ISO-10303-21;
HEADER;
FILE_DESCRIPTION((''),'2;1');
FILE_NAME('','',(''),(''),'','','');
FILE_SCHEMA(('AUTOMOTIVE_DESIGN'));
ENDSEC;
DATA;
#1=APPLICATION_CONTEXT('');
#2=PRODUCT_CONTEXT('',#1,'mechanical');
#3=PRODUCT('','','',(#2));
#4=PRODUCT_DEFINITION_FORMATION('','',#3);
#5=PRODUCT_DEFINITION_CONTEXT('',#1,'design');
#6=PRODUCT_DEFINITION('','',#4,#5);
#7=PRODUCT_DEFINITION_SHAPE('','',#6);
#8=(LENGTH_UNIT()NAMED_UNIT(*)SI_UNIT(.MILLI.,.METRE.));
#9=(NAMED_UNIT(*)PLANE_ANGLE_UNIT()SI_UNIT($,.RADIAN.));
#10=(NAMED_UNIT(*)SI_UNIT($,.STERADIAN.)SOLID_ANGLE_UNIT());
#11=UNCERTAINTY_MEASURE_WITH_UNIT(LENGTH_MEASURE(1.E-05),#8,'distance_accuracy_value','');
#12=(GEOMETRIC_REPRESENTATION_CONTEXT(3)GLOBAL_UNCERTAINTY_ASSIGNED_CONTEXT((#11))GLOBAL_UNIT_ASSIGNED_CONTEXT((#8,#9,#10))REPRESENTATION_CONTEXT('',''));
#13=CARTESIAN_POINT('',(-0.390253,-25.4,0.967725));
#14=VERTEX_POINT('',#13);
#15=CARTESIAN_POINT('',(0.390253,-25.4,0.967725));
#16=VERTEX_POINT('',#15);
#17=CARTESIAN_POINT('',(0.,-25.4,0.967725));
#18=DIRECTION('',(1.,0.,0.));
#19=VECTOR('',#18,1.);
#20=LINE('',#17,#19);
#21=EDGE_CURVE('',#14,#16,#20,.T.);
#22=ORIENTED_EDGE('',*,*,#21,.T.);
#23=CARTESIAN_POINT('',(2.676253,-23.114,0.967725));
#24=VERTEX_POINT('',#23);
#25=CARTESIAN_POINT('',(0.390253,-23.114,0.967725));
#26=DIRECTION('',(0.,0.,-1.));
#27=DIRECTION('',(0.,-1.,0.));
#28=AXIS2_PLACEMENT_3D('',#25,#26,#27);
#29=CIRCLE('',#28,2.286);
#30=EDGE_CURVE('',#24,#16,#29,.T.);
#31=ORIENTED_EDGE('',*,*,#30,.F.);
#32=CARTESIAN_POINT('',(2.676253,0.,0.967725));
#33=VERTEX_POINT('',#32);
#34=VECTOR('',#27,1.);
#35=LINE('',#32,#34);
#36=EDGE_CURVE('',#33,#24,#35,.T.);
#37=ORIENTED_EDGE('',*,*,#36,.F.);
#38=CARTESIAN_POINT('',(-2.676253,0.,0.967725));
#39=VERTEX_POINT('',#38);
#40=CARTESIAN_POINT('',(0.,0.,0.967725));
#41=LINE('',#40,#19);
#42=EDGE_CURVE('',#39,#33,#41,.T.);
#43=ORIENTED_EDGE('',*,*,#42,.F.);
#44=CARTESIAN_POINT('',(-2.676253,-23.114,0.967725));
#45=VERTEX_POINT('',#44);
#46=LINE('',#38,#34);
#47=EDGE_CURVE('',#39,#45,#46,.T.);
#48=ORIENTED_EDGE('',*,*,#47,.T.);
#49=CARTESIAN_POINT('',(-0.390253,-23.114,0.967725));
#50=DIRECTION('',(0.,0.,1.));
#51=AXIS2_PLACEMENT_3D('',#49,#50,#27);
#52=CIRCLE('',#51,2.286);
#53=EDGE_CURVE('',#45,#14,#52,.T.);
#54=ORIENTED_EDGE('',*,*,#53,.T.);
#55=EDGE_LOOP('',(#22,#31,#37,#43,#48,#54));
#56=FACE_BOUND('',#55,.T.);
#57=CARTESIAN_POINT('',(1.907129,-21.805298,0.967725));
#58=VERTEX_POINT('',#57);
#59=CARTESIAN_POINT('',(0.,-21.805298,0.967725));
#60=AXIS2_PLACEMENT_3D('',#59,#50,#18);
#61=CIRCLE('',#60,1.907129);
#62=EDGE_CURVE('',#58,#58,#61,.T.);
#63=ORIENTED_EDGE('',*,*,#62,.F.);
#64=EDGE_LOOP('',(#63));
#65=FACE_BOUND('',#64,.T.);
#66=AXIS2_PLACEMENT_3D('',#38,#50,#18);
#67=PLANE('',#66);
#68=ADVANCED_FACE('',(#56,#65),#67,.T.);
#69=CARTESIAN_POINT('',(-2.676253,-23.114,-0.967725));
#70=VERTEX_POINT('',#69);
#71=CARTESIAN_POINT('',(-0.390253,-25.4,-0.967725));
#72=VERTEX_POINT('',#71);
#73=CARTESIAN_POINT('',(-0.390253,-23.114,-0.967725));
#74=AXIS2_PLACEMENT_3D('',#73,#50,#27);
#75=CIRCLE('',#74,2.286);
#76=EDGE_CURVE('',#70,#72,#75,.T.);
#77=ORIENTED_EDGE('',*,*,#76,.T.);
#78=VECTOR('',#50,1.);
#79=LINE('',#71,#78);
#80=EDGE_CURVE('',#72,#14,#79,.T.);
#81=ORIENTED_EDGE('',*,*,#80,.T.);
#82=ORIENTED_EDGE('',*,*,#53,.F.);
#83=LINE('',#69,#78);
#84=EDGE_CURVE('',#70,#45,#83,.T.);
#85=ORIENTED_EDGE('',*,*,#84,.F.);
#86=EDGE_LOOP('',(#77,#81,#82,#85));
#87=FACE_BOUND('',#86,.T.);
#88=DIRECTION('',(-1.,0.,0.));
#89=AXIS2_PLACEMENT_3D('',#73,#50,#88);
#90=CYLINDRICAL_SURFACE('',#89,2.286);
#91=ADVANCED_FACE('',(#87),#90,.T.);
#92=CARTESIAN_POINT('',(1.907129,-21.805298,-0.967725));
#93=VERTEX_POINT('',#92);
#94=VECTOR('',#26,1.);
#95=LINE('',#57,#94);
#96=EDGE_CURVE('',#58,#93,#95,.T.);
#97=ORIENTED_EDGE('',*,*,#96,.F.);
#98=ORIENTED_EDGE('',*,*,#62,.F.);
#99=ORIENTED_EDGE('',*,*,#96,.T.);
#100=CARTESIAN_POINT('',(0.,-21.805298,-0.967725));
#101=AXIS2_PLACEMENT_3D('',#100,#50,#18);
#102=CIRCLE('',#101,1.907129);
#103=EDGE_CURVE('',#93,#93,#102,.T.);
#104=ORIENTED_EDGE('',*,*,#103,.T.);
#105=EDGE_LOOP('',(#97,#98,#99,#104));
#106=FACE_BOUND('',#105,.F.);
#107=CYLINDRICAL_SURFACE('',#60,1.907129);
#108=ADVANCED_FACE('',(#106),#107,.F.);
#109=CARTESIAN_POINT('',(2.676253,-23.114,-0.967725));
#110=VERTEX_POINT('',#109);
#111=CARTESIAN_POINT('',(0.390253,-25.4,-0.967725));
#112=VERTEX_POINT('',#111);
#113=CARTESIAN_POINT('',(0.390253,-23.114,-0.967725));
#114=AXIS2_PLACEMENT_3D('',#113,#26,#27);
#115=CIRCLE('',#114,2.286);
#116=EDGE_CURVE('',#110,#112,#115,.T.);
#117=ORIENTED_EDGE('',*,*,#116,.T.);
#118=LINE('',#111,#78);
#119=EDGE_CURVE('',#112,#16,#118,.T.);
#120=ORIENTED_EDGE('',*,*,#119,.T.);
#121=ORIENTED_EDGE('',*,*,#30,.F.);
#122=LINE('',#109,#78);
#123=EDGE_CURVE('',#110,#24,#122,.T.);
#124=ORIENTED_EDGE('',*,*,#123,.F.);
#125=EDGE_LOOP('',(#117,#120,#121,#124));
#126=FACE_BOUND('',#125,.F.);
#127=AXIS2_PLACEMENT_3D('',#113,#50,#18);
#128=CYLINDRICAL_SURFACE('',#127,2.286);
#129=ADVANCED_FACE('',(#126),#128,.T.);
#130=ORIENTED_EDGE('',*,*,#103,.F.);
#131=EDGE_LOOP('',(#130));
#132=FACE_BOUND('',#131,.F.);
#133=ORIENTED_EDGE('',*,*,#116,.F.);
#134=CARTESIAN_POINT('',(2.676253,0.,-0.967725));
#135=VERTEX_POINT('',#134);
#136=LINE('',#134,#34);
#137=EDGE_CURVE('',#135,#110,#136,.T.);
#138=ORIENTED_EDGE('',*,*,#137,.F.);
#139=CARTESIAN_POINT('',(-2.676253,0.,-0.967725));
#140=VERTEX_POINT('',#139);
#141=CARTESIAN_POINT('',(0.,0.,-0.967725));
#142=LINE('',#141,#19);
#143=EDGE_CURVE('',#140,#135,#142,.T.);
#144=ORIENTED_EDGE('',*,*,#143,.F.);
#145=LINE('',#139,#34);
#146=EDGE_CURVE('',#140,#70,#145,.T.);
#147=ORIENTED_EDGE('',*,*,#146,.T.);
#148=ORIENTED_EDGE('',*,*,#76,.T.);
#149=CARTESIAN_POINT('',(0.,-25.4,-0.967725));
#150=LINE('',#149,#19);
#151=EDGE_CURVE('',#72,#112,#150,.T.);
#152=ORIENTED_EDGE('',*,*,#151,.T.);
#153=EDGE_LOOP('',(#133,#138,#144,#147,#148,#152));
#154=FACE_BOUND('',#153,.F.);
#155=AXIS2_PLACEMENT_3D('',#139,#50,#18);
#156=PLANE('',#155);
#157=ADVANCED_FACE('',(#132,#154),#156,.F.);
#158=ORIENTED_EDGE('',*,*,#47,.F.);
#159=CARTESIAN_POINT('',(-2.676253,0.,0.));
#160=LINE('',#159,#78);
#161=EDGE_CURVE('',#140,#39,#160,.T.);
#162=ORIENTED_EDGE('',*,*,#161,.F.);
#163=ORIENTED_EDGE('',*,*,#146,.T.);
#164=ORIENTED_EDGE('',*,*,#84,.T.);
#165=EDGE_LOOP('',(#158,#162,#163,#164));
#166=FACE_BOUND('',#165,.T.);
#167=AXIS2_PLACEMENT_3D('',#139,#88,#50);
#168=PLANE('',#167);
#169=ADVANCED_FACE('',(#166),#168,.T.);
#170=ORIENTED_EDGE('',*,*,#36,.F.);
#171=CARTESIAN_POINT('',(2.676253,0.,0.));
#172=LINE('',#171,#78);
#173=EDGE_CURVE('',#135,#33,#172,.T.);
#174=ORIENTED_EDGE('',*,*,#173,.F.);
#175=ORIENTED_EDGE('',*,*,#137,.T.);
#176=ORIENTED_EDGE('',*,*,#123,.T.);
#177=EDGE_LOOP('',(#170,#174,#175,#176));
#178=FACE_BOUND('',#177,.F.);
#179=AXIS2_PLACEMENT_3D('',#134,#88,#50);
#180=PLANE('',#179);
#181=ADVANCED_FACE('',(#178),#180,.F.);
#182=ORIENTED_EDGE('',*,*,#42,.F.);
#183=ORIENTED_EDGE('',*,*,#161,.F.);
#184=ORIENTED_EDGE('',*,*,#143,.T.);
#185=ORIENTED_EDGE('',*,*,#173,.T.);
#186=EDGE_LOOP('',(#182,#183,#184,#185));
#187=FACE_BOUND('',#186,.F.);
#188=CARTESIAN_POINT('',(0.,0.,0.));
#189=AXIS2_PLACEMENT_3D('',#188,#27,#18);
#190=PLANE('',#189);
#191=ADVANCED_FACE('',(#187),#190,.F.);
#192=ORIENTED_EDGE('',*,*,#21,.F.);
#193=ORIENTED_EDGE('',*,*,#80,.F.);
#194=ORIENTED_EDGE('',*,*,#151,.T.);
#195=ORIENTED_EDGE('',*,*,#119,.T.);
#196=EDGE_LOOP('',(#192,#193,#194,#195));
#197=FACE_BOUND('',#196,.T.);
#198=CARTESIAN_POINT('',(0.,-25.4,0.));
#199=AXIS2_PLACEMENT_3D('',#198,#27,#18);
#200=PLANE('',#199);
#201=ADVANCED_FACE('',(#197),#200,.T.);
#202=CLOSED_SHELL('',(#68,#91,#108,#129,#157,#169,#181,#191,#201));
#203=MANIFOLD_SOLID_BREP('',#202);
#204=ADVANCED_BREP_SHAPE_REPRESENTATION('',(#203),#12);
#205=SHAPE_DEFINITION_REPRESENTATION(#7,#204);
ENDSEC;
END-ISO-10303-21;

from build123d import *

# Parameters (mm, degrees)
F0_W     = 5.352506
F0_H     = 1.93545
F1_DEPTH = 25.4
F2_R     = 2.286
F3_R     = 1.907129
F4_DEPTH = 2.39776


with BuildPart() as f1:
    # F0 (on Front) → F1 (new body)
    with BuildSketch(Plane.XZ):
        Rectangle(F0_W, F0_H)
    extrude(amount=F1_DEPTH)

    # F2
    f2_edges = [f1.edges().sort_by_distance(p)[0] for p in [
        (-2.676253, -25.4, 0),
        (2.676253, -25.4, 0),
    ]]
    fillet(f2_edges, radius=F2_R)

    # F3 (on face) → F4 (cut)
    with BuildSketch(Plane.XY.offset(0.967725)):
        with Locations((0, -21.805298)):
            Circle(F3_R)
    extrude(amount=-F4_DEPTH, mode=Mode.SUBTRACT)


solid = f1.part
